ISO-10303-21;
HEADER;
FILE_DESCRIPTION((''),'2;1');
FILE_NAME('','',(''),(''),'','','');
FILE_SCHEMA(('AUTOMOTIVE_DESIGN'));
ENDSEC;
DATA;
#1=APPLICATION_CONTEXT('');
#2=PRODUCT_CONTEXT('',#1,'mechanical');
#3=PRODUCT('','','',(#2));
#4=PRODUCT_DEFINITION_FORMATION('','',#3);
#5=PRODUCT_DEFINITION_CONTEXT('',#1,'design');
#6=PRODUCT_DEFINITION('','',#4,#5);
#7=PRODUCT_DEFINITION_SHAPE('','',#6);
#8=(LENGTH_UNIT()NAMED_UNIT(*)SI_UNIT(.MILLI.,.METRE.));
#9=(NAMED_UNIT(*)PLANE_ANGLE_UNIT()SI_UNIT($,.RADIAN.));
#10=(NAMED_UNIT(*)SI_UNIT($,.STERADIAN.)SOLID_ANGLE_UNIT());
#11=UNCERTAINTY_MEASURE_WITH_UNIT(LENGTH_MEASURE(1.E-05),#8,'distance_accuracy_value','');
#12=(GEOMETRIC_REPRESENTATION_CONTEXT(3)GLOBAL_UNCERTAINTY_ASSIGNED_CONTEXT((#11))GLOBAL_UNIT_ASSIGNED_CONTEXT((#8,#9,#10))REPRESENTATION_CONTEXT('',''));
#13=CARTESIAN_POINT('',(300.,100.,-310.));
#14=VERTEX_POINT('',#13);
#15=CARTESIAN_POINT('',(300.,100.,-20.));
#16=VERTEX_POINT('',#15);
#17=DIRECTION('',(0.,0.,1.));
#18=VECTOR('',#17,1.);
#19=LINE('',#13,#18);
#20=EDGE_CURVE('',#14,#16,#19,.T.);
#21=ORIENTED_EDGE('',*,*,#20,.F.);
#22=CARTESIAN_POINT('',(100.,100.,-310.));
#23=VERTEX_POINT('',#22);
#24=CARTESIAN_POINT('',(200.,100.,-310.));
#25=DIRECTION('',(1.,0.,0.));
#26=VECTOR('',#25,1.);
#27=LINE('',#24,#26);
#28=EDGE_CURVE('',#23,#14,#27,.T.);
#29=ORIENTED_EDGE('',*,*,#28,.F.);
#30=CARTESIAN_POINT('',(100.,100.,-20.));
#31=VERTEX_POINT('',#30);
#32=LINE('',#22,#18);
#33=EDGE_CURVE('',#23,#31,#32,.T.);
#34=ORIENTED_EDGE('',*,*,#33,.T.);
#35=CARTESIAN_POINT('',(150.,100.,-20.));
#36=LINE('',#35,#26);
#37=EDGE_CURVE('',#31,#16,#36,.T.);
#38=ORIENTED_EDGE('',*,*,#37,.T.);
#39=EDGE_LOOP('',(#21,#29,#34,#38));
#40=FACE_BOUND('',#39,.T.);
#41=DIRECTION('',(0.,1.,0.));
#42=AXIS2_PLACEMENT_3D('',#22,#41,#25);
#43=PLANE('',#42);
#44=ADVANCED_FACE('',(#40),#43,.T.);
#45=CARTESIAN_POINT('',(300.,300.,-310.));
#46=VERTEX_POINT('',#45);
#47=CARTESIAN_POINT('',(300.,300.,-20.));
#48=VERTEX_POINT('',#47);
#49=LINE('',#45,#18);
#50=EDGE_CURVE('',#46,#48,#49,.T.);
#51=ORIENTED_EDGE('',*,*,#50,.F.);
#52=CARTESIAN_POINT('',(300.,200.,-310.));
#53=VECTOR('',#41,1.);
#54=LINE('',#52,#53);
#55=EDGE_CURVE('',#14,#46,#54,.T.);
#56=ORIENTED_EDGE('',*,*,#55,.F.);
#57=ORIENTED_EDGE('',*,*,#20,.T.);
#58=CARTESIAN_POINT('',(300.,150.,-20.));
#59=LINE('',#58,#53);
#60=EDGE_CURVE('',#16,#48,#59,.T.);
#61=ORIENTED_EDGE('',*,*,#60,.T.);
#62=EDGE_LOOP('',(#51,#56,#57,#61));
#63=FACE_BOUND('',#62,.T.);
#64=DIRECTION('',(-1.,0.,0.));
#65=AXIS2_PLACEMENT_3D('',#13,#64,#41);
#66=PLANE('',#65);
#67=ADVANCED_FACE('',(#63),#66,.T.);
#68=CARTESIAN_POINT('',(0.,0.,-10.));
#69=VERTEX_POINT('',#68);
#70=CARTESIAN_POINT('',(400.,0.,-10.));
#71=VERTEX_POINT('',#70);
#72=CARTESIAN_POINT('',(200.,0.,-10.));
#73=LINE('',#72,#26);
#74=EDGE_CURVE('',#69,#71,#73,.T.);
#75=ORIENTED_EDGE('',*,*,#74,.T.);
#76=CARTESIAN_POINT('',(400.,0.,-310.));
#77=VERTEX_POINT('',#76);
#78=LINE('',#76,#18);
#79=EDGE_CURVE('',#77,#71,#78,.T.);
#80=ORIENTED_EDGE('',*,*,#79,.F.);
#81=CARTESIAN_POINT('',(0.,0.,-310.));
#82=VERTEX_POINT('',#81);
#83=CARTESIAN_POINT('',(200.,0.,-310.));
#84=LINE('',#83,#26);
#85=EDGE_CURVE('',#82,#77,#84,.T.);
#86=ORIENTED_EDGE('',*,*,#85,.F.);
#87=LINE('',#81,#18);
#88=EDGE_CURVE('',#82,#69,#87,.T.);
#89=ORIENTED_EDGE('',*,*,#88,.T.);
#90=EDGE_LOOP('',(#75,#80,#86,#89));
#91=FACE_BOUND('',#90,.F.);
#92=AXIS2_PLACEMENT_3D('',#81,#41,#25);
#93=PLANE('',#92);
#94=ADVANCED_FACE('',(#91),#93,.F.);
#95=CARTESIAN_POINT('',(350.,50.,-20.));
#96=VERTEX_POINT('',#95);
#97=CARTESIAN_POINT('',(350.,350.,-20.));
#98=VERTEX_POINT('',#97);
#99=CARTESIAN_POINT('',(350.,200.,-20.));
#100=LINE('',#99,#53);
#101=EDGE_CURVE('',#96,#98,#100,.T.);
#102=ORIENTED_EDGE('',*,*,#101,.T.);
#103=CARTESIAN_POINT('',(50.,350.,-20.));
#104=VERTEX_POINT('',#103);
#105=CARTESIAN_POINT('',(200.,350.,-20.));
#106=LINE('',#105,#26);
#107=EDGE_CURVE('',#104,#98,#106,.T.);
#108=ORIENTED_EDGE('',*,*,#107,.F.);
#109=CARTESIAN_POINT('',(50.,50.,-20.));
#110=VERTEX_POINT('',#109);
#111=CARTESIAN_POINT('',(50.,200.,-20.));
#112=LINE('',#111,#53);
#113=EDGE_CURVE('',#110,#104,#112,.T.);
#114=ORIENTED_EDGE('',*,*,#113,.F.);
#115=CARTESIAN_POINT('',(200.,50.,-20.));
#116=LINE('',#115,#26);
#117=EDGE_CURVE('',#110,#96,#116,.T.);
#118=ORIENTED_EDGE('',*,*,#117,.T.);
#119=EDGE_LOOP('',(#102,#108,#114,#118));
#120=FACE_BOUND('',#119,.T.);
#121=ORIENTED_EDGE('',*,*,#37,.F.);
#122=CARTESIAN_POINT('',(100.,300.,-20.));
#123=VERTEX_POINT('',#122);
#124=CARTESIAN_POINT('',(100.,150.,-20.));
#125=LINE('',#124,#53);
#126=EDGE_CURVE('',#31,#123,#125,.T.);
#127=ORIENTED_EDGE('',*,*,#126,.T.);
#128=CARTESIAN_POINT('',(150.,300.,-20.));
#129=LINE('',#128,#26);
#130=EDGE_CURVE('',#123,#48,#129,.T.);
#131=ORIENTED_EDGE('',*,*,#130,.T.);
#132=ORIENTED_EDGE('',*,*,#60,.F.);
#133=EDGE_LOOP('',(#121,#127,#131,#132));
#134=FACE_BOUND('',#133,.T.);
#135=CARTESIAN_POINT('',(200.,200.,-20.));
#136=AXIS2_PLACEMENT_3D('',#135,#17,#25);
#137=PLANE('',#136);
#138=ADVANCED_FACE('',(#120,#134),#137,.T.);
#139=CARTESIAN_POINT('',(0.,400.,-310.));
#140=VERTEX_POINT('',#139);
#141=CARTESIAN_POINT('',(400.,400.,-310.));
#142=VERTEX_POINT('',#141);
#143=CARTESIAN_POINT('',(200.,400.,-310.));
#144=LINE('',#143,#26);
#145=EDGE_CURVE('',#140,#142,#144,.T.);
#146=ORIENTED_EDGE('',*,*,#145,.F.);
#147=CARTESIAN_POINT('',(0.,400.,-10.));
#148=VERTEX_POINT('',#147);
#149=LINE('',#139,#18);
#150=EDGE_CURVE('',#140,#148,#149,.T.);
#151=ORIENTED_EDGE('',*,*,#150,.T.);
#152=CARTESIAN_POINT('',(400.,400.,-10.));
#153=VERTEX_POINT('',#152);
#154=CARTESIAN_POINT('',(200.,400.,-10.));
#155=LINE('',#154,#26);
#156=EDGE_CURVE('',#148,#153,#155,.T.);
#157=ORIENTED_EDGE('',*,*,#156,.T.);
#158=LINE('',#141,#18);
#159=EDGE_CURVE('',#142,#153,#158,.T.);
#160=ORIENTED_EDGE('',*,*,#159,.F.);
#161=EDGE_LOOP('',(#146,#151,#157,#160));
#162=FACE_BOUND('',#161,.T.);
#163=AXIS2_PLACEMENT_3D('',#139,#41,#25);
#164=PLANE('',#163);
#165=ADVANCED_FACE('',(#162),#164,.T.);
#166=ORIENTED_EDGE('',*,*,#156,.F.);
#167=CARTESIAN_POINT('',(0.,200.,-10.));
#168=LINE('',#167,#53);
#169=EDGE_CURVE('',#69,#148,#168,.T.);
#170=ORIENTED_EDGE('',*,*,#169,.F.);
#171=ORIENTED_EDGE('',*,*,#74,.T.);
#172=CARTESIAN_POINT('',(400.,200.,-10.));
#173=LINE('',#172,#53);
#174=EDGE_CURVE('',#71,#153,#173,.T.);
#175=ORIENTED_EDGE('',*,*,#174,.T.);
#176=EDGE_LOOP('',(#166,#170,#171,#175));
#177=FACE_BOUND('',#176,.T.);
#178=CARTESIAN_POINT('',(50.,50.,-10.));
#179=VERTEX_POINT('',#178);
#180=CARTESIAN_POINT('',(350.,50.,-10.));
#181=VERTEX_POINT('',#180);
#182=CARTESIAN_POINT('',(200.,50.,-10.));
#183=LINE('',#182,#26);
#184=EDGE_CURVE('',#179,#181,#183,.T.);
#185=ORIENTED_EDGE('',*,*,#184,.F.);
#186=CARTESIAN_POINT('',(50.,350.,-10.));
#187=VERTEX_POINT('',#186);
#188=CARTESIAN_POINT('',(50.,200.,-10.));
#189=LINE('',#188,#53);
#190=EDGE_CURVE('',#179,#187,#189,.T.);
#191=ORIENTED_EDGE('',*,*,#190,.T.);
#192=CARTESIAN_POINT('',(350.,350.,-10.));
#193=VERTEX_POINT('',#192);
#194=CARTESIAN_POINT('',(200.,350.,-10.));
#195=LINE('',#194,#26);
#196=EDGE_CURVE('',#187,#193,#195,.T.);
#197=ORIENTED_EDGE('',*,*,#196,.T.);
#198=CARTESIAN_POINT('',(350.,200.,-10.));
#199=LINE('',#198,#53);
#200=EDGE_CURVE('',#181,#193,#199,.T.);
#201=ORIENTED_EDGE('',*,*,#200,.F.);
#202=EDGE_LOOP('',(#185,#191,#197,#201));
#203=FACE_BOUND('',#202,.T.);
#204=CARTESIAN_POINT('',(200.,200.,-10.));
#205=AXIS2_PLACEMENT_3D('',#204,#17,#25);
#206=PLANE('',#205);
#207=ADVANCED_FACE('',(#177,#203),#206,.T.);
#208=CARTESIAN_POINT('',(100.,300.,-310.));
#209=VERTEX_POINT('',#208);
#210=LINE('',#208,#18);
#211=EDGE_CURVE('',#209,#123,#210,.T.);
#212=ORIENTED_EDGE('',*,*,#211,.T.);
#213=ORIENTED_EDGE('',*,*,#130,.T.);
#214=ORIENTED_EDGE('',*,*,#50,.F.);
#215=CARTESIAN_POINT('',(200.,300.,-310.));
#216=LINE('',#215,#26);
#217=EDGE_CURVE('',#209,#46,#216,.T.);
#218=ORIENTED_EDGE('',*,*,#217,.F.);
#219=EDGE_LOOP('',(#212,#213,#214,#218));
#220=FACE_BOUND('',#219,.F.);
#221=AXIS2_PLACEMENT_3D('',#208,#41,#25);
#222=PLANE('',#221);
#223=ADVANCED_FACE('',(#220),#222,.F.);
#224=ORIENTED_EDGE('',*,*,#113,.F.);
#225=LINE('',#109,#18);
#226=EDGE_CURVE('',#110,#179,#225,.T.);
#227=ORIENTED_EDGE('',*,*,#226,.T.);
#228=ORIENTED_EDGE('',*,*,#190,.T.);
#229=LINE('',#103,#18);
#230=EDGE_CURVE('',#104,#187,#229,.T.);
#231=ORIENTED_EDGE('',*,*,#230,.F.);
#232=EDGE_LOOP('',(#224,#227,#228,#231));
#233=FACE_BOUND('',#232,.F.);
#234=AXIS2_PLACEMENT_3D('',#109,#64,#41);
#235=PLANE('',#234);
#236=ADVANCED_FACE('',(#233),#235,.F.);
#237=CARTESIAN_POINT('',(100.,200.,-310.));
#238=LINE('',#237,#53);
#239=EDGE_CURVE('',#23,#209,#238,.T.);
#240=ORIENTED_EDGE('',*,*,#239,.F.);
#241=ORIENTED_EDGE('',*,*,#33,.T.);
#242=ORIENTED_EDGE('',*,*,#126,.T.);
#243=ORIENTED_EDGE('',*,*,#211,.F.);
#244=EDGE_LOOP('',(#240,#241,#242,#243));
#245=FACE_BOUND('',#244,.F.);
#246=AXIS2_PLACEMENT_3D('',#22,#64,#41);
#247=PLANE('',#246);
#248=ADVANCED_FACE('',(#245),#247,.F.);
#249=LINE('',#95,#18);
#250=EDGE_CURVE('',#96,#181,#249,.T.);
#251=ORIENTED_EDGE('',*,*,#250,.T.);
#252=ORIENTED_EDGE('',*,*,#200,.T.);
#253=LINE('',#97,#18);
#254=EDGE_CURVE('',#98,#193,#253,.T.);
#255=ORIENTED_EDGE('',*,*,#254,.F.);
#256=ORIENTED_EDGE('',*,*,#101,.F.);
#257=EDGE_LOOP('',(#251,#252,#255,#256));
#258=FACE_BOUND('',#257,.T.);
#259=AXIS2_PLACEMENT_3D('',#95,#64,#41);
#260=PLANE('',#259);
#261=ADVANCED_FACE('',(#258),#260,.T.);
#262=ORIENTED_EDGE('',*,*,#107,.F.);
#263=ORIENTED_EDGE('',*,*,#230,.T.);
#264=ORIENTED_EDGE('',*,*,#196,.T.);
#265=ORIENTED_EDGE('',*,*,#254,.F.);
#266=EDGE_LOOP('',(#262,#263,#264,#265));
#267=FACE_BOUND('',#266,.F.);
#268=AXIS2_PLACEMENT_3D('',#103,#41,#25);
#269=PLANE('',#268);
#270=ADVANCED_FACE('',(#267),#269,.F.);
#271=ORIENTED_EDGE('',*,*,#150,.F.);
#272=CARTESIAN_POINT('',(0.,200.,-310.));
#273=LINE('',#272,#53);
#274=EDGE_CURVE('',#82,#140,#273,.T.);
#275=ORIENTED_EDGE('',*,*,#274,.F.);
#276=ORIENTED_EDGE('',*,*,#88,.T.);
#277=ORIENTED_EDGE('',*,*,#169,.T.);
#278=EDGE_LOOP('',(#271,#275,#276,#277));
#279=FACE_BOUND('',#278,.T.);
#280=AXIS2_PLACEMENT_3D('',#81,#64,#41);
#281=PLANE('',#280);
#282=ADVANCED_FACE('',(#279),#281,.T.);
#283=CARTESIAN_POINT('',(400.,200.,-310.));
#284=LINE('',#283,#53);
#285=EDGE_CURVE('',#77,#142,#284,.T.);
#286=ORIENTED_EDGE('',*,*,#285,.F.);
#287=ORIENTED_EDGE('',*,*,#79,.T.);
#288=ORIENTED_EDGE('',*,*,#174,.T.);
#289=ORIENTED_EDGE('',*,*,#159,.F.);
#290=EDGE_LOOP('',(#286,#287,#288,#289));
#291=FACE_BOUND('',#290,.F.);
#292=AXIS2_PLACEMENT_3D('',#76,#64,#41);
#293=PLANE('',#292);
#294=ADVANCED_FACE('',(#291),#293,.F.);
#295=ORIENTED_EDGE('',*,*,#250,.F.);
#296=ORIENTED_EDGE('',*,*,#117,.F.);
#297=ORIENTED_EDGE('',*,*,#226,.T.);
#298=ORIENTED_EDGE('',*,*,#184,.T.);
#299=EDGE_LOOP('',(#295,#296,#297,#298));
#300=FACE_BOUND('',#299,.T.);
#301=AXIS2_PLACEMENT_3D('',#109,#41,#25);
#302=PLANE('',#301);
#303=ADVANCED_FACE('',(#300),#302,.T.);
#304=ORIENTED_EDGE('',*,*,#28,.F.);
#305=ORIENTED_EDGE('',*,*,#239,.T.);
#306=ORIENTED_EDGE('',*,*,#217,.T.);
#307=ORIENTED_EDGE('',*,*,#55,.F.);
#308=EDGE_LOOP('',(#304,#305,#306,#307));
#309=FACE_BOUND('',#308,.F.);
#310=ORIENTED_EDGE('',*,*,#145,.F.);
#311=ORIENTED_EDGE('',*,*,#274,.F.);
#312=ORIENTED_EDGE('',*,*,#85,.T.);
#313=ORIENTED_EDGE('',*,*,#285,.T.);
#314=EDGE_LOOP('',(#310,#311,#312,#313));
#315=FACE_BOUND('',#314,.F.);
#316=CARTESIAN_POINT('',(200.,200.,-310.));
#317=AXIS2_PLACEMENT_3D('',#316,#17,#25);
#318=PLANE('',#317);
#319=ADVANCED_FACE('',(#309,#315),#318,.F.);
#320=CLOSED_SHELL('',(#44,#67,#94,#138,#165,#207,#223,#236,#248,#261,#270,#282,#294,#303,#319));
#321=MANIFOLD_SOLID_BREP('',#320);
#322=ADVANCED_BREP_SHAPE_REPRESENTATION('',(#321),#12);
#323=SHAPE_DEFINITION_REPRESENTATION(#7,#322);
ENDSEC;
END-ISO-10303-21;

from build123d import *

# Parameters (mm, degrees)
BOX007_W     = 300
BOX007_H     = 300
BOX007_DEPTH = 10
BOX006_W     = 200
BOX006_H     = 200
BOX006_DEPTH = 300
BOX005_W     = 400
BOX005_H     = 400
BOX005_DEPTH = 300


with BuildPart() as cube006:
    # Box007 → Box007 (new body)
    with BuildSketch(Plane(origin=(50, 50, -20), x_dir=(1, 0, 0), z_dir=(0, 0, 1))):
        with Locations((150, 150)):
            Rectangle(BOX007_W, BOX007_H)
    extrude(amount=BOX007_DEPTH)


with BuildPart() as cube005:
    # Box006 → Box006 (new body)
    with BuildSketch(Plane(origin=(100, 100, -310), x_dir=(1, 0, 0), z_dir=(0, 0, 1))):
        with Locations((100, 100)):
            Rectangle(BOX006_W, BOX006_H)
    extrude(amount=BOX006_DEPTH)


with BuildPart() as cut003:
    # Box005 → Box005 (new body)
    with BuildSketch(Plane.XY.offset(-310)):
        with Locations((200, 200)):
            Rectangle(BOX005_W, BOX005_H)
    extrude(amount=BOX005_DEPTH)

    # Cut002: cut Cube005
    add(cube005.part, mode=Mode.SUBTRACT)

    # Cut003: cut Cube006
    add(cube006.part, mode=Mode.SUBTRACT)


solid = cut003.part
